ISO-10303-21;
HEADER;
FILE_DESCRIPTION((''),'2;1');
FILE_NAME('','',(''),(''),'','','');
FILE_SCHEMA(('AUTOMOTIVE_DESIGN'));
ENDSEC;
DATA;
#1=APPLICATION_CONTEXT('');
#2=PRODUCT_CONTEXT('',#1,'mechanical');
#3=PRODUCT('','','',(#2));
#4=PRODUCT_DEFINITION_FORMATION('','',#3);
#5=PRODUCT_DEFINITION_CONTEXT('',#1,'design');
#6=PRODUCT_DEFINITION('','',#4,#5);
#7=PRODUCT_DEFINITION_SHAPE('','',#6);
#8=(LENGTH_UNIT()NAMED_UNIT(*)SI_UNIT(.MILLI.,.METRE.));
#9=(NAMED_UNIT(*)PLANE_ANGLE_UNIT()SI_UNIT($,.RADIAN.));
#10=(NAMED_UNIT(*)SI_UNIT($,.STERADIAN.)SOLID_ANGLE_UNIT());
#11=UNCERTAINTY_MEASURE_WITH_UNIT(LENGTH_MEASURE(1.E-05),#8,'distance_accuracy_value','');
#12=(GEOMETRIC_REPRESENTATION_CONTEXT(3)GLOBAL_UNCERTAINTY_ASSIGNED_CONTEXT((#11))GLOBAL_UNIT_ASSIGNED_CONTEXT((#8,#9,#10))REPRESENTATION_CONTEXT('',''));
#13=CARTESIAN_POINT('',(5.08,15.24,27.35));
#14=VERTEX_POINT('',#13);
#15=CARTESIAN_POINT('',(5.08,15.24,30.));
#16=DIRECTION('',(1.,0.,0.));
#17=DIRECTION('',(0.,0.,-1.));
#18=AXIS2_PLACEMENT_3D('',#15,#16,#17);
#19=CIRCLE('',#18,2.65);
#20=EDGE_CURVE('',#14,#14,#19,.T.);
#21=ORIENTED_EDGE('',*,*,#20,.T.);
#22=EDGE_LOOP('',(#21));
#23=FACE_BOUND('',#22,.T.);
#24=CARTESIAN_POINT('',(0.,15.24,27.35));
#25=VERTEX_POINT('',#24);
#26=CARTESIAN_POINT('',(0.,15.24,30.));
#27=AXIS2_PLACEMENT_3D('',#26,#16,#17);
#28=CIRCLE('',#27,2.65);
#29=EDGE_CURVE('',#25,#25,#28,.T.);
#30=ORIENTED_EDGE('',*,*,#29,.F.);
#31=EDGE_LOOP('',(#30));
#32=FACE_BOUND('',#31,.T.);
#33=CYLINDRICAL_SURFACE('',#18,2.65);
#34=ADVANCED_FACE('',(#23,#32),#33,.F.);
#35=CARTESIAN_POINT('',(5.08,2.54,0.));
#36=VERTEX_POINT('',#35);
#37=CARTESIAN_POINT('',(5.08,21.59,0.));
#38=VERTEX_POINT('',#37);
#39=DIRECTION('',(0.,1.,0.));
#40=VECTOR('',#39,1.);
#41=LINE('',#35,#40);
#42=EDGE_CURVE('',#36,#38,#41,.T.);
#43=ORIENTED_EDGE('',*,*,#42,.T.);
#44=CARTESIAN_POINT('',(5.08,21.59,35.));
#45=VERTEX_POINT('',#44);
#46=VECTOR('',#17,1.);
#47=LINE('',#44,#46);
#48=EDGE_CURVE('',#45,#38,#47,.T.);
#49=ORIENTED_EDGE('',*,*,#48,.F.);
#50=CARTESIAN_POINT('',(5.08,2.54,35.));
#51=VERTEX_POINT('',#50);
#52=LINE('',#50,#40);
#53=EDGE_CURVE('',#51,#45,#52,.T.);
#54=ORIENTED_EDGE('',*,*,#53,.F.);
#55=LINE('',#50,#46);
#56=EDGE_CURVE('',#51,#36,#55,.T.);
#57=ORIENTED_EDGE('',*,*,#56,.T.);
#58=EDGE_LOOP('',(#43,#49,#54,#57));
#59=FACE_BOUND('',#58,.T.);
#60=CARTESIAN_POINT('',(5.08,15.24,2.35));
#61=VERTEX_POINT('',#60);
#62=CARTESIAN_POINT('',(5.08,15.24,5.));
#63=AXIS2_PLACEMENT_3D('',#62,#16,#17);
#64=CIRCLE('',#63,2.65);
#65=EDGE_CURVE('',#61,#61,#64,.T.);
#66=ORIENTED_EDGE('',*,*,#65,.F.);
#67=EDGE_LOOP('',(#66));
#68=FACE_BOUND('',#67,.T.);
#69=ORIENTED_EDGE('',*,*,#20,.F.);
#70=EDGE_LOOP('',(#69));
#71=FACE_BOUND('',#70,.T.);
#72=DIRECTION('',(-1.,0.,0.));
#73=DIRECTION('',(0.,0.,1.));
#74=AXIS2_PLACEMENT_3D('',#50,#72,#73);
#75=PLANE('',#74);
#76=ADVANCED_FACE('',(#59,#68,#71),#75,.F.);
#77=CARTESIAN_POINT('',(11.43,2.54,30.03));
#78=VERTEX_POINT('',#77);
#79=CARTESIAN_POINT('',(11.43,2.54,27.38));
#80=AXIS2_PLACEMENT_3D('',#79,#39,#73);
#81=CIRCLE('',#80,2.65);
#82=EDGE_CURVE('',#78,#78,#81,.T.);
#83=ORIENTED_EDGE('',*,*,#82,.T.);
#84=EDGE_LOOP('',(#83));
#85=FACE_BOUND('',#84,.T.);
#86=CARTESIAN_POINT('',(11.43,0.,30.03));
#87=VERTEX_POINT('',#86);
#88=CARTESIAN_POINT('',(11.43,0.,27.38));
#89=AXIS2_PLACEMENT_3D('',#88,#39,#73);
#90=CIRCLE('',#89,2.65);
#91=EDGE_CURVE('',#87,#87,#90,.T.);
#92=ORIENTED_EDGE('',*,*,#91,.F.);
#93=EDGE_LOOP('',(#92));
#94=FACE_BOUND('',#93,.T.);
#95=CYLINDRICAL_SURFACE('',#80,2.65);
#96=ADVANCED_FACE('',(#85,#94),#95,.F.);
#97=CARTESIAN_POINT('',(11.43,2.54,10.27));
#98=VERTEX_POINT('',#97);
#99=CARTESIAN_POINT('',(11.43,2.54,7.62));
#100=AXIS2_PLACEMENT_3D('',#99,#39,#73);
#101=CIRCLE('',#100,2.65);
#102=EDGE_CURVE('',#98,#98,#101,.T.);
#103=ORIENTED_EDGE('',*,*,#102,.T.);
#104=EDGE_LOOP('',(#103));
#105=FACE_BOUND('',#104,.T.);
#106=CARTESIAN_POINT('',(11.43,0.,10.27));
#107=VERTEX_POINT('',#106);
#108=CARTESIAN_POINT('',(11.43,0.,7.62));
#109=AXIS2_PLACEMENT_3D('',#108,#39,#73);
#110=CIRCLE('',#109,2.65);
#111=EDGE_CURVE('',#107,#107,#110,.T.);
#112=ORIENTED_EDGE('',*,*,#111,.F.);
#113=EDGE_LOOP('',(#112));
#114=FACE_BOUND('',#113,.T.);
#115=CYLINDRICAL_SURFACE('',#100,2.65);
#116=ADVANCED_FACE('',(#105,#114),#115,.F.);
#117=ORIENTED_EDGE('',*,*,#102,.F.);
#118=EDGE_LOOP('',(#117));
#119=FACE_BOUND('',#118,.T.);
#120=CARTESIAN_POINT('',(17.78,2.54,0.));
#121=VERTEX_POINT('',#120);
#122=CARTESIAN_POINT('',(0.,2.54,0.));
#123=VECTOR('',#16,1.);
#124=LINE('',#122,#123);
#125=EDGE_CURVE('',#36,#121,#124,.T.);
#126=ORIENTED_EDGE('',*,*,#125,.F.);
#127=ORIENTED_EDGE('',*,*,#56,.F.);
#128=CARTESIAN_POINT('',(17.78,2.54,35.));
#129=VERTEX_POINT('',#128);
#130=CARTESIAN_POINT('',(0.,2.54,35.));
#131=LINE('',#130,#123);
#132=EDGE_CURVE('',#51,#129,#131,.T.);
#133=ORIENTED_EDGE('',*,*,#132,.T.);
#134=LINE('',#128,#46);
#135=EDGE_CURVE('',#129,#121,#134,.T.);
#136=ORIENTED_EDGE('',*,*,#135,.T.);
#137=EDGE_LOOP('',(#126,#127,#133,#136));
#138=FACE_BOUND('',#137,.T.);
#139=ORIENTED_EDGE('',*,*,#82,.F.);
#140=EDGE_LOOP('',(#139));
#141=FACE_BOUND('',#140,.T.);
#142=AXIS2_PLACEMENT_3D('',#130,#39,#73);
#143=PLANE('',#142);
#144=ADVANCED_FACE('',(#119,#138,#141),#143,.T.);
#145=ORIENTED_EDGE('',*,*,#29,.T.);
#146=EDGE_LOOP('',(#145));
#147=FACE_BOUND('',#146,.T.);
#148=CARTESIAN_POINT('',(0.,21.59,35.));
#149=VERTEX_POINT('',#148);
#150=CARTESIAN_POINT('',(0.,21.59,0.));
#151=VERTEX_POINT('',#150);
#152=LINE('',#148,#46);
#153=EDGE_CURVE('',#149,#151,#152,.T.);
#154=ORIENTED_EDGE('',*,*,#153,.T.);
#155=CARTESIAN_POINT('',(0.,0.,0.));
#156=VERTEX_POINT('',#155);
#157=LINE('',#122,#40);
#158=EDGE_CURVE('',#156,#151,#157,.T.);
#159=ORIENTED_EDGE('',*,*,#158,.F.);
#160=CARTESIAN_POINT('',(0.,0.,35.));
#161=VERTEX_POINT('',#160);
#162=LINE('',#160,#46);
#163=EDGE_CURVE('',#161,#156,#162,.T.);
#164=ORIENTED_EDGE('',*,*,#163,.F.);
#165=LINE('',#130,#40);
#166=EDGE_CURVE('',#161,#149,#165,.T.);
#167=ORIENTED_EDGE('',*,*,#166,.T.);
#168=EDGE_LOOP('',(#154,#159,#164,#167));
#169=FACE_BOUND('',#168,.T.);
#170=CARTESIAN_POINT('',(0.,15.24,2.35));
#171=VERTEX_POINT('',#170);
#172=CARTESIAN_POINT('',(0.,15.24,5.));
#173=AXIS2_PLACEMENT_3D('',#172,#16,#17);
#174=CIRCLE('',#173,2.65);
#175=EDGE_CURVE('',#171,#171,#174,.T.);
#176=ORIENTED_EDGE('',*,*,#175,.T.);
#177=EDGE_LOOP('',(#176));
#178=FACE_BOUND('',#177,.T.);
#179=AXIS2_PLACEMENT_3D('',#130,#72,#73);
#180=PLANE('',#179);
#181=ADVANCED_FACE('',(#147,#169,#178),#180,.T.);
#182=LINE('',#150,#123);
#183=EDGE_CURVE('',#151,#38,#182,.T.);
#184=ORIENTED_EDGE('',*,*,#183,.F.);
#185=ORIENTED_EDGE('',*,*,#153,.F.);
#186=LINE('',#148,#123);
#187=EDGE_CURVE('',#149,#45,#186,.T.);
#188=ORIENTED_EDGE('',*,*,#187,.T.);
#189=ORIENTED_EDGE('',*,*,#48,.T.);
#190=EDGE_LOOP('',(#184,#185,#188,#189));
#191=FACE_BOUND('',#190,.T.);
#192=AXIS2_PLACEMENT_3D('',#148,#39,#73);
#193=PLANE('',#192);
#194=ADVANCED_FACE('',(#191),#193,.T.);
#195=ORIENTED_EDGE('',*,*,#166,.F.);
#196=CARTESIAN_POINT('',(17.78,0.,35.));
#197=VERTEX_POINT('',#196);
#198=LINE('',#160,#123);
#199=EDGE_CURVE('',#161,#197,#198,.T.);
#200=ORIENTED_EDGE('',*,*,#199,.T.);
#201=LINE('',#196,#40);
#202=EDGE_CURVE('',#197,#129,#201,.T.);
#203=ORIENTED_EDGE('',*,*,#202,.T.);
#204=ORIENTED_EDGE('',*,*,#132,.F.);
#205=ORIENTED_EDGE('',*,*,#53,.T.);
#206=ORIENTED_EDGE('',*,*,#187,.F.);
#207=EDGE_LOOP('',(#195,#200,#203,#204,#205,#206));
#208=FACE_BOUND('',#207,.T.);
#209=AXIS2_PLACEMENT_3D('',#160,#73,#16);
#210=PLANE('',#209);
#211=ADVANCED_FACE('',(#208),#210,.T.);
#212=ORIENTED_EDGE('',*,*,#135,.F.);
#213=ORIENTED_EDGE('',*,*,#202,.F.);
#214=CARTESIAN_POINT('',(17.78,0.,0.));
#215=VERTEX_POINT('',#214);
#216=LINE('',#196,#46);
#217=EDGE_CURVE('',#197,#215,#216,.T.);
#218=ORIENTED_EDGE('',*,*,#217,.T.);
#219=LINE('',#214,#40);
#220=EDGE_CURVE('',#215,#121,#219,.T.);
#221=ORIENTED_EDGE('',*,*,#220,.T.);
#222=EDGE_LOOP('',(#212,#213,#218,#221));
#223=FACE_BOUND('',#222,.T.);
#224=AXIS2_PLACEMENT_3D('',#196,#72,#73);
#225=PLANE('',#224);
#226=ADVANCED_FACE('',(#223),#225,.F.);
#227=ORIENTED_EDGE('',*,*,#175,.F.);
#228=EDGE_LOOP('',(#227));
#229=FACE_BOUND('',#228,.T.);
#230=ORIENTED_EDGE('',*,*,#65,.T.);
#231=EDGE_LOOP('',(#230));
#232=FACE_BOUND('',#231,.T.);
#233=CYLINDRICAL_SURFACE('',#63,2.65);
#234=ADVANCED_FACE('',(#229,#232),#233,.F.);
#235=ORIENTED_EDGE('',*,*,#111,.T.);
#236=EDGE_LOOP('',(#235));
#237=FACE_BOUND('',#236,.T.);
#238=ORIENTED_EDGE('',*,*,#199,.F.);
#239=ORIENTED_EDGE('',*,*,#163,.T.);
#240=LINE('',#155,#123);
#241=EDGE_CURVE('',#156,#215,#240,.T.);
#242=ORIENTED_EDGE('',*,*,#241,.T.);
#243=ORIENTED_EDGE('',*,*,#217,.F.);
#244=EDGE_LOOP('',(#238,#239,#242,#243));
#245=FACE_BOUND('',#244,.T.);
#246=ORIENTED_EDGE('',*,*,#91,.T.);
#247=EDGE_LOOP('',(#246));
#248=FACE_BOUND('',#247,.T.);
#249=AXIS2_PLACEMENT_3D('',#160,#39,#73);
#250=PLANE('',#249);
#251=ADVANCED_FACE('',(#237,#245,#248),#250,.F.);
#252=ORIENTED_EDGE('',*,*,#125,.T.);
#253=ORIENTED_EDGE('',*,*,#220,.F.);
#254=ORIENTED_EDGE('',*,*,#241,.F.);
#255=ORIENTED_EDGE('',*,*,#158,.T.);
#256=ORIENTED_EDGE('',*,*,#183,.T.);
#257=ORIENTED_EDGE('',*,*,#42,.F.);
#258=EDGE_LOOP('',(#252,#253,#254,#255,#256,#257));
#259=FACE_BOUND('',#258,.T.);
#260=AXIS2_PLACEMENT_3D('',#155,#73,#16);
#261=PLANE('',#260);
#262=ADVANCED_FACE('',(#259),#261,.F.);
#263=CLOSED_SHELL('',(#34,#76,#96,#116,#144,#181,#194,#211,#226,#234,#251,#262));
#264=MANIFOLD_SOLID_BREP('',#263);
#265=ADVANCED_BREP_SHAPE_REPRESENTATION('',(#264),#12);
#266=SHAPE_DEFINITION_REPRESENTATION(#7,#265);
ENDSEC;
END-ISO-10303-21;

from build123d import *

# Parameters (mm, degrees)
SKETCH1_W             = 5.08
SKETCH1_H             = 19.05
BOSS_EXTRUDE1_DEPTH   = 35
F_5_0MM_DOWEL_HOLE1_D = 5.3
F_5_0MM_DOWEL_HOLE2_D = 5.3


with BuildPart() as part:
    # Sketch1 → Boss-Extrude1 (new body)
    with BuildSketch(Plane.XY):
        Polygon((0, 2.54), (0, 0), (17.78, 0), (17.78, 2.54), (5.08, 2.54), align=None)
        with Locations((2.54, 12.065)):
            Rectangle(SKETCH1_W, SKETCH1_H)
    extrude(amount=BOSS_EXTRUDE1_DEPTH)

    # Ø5.0mm Dowel Hole1 (through all)
    with Locations(Plane(origin=(5.08, 0, 0), x_dir=(0, 0, -1), z_dir=(1, 0, 0))):
        with Locations((-30, 15.24), (-5, 15.24)):
            Hole(F_5_0MM_DOWEL_HOLE1_D / 2)

    # Ø5.0mm Dowel Hole2 (through all)
    with Locations(Plane(origin=(0, 2.54, 0), x_dir=(1, 0, 0), z_dir=(0, 1, 0))):
        with Locations((11.43, -27.38), (11.43, -7.62)):
            Hole(F_5_0MM_DOWEL_HOLE2_D / 2)


solid = part.part
